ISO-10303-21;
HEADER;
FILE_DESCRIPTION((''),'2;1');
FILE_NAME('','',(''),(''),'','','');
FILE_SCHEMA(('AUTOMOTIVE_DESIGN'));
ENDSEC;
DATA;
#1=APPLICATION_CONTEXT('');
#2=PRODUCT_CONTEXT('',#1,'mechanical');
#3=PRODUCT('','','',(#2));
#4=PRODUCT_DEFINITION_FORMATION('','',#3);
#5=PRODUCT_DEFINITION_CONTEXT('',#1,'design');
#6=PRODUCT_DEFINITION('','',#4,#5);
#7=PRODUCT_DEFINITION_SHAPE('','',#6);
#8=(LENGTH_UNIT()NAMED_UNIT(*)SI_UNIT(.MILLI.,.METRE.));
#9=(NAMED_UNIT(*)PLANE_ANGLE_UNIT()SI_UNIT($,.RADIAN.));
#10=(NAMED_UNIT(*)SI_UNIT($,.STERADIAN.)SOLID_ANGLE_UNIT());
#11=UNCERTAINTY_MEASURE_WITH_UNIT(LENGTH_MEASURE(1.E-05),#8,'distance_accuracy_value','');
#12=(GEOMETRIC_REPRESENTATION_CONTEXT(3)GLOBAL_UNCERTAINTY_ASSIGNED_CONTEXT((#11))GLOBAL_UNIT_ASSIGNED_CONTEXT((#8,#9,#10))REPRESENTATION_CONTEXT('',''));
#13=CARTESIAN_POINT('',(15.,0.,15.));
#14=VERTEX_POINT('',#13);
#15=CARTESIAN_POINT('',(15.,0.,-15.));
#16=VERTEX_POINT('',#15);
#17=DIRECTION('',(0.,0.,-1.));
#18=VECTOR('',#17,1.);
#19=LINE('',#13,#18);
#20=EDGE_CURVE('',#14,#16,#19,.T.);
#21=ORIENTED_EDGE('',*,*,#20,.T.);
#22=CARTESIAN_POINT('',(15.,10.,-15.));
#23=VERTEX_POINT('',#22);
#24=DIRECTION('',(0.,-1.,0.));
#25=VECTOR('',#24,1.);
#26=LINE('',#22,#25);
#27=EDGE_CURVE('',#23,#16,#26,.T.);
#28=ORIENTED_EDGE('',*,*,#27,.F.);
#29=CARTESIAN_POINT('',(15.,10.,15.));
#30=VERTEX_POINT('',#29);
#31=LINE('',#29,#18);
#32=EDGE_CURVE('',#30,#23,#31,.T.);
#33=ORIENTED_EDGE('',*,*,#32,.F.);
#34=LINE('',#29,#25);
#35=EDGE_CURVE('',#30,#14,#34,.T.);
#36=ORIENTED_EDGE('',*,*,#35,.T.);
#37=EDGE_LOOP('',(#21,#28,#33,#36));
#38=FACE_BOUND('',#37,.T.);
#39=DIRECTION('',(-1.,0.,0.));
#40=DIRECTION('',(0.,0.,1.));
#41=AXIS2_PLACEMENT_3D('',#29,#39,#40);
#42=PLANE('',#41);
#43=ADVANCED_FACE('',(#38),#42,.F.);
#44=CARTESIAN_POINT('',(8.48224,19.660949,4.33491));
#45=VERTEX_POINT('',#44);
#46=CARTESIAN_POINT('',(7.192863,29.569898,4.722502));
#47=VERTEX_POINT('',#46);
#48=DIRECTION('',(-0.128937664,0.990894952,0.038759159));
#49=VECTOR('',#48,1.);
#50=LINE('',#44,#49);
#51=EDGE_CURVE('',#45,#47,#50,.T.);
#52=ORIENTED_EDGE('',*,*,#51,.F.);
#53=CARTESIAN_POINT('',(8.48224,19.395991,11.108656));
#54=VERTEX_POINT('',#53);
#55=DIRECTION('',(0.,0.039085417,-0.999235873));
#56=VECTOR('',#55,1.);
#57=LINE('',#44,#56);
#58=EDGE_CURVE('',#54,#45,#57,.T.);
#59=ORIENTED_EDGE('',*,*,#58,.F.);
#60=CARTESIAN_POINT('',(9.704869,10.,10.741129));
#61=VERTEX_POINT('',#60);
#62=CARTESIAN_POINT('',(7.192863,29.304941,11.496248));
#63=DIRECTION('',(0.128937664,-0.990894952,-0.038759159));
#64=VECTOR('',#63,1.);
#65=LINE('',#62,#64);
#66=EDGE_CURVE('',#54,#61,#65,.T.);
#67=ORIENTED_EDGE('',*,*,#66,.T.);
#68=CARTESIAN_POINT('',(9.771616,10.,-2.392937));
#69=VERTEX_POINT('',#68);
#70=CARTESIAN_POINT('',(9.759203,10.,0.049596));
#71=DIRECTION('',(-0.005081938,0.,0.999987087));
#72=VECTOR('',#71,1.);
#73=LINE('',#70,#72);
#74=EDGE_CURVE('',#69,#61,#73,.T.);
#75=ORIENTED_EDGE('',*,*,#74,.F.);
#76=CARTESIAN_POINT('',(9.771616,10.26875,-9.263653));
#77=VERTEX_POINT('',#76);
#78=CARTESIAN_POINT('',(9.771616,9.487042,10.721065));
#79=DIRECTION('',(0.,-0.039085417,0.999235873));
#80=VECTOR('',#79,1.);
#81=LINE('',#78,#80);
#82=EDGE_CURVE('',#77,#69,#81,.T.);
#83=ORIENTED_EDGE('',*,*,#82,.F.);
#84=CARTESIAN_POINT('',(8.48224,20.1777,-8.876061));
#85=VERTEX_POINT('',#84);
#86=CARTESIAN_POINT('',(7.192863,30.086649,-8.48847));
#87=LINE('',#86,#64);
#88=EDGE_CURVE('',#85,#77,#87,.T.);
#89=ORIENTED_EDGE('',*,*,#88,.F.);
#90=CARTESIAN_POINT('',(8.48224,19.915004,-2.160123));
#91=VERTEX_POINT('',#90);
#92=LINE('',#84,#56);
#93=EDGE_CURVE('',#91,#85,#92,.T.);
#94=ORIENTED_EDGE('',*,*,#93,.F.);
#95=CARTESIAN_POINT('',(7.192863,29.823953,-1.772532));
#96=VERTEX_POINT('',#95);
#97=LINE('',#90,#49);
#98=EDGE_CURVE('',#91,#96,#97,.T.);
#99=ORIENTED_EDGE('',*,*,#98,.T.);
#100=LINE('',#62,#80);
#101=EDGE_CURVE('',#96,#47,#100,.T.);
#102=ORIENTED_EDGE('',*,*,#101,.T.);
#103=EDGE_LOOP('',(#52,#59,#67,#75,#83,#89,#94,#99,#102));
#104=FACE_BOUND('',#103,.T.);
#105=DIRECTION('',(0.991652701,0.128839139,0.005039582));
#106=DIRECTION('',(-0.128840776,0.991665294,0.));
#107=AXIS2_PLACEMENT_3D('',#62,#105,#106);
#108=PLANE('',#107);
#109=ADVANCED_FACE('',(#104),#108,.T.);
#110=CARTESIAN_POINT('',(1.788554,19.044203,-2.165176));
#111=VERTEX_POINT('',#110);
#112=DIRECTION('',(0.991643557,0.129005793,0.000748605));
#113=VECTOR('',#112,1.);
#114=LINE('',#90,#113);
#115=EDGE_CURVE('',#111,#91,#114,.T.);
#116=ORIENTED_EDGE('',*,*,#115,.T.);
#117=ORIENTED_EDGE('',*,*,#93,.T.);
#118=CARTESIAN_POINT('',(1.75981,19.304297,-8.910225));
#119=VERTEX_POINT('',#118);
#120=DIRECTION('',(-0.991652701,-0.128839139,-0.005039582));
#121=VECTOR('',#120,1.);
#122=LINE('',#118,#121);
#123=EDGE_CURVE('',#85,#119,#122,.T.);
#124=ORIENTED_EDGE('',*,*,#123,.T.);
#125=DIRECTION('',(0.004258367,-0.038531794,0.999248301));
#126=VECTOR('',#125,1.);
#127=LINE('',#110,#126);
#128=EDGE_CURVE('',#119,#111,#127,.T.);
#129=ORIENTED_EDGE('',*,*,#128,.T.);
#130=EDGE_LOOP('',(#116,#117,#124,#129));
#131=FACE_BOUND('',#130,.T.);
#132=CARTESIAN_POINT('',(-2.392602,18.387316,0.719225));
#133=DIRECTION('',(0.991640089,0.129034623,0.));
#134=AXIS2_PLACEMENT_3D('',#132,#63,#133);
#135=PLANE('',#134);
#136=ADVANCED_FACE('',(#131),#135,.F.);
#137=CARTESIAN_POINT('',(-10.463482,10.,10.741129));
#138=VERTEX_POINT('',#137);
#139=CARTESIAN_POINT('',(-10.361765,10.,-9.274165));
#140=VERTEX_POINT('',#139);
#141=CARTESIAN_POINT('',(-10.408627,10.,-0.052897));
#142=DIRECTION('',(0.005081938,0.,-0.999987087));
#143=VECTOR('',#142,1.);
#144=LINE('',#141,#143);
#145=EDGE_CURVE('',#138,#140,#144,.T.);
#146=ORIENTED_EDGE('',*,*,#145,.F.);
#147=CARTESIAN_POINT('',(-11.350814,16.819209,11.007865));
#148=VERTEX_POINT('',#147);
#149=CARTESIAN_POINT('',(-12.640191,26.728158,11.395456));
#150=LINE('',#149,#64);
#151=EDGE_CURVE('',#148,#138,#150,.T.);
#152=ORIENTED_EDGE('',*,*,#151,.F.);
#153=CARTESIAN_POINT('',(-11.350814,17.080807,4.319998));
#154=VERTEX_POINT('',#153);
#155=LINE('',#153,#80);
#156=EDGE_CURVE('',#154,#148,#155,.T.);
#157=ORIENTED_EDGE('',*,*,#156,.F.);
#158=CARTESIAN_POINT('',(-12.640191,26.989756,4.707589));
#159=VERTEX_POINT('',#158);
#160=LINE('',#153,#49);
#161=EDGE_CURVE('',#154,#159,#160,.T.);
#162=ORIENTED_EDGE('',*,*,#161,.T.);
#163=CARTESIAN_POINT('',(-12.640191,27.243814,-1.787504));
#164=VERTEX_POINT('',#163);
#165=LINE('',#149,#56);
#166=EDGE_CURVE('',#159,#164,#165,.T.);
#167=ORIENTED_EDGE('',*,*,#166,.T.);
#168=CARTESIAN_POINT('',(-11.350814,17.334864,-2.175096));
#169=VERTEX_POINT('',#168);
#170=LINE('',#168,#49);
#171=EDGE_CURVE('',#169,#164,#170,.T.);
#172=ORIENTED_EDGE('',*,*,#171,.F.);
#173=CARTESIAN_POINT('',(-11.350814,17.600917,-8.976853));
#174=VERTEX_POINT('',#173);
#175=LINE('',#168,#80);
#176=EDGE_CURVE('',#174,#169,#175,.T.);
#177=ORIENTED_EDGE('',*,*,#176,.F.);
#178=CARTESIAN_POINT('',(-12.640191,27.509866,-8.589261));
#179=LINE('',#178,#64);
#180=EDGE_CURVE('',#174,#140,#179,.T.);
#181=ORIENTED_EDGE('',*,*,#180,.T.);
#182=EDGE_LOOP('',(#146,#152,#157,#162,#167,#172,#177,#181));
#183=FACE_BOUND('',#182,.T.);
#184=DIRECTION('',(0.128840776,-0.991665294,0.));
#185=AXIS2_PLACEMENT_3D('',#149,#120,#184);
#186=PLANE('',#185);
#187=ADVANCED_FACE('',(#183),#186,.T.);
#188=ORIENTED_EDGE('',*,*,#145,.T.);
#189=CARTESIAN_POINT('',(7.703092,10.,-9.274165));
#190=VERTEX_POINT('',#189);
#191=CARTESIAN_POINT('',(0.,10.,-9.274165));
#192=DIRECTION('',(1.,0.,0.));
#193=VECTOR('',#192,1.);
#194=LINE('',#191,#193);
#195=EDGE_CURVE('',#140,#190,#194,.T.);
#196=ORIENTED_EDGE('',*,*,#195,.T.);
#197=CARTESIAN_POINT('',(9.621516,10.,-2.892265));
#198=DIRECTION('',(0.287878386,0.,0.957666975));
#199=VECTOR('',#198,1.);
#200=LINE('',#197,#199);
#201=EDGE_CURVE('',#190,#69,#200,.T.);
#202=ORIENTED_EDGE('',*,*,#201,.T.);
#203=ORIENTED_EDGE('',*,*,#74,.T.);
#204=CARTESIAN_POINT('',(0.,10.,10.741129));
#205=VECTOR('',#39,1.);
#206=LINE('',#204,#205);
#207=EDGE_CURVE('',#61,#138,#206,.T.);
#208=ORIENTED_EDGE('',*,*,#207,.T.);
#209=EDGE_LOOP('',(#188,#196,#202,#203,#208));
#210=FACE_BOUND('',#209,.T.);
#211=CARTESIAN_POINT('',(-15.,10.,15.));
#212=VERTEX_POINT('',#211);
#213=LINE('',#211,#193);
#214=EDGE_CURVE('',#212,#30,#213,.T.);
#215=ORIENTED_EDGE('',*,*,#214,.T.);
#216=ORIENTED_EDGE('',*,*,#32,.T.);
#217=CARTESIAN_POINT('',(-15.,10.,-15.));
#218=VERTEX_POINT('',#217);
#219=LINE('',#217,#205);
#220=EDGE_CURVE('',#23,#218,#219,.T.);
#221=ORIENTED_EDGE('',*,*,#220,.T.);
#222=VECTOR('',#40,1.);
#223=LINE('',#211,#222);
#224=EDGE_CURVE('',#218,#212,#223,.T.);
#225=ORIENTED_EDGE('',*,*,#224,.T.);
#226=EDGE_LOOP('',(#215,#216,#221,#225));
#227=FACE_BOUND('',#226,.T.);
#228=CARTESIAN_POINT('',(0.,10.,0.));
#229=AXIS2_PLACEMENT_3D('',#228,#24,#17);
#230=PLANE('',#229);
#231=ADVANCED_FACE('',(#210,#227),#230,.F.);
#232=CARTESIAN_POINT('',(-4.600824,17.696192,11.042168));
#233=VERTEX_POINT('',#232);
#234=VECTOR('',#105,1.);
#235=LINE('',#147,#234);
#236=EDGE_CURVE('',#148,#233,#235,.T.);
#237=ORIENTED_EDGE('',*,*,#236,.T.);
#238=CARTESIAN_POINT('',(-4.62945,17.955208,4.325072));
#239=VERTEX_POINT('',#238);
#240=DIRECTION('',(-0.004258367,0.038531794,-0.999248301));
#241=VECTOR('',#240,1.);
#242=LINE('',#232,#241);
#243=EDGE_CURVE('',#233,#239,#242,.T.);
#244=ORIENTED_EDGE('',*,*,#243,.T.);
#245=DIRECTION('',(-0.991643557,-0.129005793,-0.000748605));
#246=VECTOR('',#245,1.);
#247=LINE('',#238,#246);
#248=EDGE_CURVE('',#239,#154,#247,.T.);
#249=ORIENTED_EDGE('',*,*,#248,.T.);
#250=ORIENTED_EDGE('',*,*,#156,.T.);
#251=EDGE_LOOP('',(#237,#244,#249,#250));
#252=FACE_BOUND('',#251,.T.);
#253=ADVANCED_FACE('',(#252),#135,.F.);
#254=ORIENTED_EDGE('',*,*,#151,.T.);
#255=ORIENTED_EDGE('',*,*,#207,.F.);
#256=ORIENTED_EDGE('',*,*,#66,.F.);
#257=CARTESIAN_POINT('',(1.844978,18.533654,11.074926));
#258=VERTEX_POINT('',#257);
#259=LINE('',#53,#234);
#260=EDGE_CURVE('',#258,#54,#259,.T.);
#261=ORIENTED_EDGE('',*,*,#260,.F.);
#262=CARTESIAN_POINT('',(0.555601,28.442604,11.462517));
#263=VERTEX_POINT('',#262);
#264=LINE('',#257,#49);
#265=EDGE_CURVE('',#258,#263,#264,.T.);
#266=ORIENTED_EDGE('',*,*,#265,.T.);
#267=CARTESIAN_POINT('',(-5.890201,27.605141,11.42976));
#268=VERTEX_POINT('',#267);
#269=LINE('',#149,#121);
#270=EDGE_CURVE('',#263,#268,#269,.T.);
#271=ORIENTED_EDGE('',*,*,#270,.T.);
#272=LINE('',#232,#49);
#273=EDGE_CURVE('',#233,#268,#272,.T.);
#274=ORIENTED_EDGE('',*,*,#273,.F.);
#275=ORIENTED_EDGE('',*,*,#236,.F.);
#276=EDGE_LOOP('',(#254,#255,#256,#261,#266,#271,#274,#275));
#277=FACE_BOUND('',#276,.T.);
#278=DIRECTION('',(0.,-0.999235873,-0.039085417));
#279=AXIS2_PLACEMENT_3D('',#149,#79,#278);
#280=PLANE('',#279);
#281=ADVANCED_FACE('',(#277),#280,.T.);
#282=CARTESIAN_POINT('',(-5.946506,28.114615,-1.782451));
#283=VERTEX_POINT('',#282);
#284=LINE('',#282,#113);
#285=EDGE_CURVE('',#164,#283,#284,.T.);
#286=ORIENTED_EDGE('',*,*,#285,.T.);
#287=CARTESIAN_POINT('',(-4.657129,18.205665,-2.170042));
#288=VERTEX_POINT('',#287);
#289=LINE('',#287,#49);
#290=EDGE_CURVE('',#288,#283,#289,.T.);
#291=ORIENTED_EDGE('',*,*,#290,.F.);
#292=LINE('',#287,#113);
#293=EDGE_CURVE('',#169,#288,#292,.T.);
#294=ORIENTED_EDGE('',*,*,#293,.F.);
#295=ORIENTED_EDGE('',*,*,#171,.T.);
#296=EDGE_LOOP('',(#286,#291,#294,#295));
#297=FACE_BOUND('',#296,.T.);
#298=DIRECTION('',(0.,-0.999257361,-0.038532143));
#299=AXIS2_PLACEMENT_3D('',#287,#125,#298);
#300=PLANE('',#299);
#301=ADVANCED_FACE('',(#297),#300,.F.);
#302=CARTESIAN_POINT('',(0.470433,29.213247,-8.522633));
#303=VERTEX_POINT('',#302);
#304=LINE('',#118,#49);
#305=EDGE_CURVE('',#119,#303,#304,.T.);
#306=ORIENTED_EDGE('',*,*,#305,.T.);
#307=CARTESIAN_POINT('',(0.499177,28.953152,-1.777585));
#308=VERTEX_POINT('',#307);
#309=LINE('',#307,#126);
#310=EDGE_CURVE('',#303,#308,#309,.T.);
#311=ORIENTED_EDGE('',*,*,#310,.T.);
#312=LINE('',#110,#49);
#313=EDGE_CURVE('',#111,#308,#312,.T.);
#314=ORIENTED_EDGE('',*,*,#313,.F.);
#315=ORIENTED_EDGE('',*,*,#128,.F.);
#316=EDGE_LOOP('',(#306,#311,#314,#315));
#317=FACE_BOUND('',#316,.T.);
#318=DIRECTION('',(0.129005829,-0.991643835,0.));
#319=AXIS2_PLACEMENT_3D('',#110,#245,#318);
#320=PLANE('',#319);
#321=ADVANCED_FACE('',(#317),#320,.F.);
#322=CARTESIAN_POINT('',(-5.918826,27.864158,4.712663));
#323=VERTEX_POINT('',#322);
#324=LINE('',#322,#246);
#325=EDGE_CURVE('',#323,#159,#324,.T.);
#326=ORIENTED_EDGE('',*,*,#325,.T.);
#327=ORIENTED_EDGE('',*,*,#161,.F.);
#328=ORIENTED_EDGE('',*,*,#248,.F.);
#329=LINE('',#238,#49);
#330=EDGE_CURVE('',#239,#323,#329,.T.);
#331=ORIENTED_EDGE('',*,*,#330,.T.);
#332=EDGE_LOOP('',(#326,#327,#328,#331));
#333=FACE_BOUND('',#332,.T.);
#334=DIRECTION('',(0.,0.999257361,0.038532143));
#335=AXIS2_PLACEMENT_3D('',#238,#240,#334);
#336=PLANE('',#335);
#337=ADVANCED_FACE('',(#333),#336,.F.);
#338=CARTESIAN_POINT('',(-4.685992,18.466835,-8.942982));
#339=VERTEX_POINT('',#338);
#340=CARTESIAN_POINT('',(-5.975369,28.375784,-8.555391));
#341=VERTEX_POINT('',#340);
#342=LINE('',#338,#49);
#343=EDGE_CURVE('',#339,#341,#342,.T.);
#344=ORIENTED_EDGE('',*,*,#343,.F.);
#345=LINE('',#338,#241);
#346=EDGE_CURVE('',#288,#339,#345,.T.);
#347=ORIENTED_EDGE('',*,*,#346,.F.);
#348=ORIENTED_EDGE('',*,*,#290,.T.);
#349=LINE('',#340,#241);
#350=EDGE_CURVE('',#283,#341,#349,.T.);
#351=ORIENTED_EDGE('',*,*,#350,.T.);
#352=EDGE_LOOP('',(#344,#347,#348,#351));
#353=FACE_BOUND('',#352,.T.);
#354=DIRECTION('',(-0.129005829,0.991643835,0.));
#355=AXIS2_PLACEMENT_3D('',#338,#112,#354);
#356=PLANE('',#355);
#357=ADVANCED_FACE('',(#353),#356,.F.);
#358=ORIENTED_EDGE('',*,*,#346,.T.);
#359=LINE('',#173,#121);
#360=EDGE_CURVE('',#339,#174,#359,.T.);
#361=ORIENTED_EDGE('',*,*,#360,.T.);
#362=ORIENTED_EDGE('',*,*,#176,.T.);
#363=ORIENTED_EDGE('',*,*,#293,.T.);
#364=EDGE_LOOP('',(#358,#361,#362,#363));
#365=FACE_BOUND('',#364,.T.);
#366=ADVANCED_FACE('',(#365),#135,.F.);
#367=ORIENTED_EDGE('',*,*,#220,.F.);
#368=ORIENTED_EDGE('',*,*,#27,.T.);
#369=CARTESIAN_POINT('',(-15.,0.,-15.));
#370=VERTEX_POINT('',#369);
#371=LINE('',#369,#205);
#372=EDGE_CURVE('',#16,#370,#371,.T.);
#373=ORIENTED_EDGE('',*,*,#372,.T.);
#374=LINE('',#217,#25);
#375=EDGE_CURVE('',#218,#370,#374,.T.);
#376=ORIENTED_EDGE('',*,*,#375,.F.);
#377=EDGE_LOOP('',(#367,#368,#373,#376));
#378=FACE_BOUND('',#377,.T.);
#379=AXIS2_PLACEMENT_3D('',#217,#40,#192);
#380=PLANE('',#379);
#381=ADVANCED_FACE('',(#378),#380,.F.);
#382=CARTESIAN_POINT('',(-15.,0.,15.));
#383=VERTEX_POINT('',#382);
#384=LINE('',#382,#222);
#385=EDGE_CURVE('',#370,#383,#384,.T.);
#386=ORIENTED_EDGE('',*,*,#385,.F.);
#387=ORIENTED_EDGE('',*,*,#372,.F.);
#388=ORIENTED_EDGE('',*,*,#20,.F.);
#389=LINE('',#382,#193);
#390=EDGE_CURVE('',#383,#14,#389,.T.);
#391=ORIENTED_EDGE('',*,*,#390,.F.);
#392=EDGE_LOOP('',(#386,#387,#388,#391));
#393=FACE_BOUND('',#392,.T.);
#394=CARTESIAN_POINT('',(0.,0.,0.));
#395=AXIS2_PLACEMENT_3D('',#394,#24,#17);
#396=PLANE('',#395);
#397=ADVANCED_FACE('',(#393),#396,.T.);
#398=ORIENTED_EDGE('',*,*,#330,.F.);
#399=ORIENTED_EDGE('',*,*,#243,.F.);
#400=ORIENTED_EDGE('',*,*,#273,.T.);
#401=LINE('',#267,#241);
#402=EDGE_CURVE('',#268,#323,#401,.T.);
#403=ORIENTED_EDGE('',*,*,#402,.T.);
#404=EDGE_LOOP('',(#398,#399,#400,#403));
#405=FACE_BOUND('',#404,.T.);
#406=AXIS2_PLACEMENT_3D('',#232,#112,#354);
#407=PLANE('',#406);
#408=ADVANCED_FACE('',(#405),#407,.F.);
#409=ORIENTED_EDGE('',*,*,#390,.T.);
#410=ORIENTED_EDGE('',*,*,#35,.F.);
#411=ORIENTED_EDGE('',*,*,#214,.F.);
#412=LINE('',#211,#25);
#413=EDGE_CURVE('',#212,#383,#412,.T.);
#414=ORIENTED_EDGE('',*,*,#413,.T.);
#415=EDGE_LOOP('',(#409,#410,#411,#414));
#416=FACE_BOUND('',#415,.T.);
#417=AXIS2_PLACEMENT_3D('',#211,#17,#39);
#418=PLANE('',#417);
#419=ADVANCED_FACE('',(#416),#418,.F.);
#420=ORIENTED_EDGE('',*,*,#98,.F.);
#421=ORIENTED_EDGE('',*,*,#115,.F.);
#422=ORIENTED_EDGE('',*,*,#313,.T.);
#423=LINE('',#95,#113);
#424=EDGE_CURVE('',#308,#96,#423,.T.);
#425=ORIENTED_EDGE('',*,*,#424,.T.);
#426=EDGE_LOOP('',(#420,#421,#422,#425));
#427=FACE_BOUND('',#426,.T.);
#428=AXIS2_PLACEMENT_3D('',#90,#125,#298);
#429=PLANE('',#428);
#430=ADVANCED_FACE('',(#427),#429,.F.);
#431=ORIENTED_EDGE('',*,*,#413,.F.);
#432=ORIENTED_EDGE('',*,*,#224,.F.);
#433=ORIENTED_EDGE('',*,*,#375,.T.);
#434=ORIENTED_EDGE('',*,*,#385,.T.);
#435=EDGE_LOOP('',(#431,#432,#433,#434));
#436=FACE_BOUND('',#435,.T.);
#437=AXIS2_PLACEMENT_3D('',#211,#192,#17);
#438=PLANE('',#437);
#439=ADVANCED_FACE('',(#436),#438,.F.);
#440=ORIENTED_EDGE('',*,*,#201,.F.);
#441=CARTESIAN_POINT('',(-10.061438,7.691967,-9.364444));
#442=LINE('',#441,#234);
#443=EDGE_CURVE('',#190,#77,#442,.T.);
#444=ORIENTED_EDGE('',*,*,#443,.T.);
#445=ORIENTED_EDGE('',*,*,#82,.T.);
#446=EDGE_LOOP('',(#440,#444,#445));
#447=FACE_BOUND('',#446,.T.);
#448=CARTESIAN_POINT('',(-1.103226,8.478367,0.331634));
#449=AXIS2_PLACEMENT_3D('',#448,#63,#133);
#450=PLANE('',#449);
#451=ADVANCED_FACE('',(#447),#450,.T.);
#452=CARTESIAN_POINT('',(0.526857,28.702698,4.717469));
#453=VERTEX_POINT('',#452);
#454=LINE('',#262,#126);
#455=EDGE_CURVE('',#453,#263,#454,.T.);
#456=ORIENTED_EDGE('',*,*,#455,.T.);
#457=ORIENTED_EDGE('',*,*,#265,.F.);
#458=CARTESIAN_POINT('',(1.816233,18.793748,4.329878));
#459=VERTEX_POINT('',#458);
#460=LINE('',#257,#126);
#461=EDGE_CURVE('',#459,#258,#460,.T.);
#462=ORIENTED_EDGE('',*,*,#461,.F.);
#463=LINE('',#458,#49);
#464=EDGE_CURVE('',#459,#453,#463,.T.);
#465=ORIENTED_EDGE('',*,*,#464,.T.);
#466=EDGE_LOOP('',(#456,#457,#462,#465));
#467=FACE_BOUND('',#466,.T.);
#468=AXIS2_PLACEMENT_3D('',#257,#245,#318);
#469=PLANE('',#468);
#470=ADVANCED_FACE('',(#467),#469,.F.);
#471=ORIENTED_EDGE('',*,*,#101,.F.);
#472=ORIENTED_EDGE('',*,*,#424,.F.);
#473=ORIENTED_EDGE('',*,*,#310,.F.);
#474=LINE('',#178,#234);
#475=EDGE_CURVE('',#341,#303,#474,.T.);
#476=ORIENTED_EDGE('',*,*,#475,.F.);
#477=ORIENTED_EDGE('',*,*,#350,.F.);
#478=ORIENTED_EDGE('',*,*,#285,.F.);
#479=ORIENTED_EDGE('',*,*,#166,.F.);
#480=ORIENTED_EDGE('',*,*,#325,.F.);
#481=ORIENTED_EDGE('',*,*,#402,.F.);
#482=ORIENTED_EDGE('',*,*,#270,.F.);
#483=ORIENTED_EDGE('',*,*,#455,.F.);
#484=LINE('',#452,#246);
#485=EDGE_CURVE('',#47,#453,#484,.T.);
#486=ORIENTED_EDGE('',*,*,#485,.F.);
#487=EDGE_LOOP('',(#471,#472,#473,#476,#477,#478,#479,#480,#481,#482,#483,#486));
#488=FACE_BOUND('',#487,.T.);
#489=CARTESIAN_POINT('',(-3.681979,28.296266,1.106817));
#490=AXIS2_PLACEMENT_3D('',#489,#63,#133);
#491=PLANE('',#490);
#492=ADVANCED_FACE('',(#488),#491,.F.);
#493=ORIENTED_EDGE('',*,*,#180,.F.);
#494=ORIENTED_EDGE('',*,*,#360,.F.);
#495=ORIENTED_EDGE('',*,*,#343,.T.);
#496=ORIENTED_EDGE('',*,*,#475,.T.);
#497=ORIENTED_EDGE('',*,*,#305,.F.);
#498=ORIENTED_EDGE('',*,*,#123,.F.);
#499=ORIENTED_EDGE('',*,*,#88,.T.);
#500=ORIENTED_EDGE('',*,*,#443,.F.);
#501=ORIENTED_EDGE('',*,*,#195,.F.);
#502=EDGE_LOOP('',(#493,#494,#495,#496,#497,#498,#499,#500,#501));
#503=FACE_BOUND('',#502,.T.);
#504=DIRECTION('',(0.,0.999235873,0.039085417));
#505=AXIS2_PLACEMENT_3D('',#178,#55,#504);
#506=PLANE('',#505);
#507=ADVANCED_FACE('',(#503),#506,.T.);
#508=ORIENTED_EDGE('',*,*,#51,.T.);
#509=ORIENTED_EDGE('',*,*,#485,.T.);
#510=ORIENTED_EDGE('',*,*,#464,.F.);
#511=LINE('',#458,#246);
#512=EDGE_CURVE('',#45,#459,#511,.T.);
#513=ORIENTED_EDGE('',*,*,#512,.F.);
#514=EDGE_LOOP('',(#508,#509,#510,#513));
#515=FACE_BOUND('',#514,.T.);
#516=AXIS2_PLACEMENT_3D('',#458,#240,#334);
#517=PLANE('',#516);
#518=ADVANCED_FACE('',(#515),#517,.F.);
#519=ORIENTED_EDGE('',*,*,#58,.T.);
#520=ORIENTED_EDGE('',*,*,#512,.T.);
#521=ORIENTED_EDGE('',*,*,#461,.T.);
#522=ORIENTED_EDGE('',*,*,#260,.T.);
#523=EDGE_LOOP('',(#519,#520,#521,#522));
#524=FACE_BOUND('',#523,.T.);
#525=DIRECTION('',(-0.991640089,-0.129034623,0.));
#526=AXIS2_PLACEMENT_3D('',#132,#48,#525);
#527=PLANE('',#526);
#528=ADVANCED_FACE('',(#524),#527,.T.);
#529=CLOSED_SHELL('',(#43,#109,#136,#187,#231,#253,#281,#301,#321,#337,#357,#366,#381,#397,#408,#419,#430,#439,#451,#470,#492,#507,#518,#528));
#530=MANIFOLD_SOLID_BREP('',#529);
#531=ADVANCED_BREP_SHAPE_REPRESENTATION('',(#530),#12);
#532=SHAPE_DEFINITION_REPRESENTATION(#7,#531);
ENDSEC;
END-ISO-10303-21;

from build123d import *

# Parameters (mm, degrees)
SKETCH1_W           = 30
SKETCH1_H           = 30
BOSS_EXTRUDE1_DEPTH = 10
SKETCH2_W           = 20
SKETCH2_H           = 20
BOSS_EXTRUDE2_DEPTH = 20
CUT_EXTRUDE3_DEPTH  = 10


with BuildPart() as part:
    # Sketch1 → Boss-Extrude1 (new body)
    with BuildSketch(Plane(origin=(0, 0, 0), x_dir=(1, 0, 0), z_dir=(0, 1, 0))):
        Rectangle(SKETCH1_W, SKETCH1_H)
    extrude(amount=BOSS_EXTRUDE1_DEPTH)

    # Sketch2 → Boss-Extrude2 (add)
    with BuildSketch(Plane(origin=(-19.996706831, 6.023656636, 0.235617172), x_dir=(-0.9916527006816696, -0.12883913939699687, -0.005039582343056198), z_dir=(0.12893766412786933, -0.9908949522292337, -0.03875915912237427))):
        with Locations((-20.018899737, -0.342067519)):
            Rectangle(SKETCH2_W, SKETCH2_H)
    extrude(amount=-BOSS_EXTRUDE2_DEPTH)

    # Sketch5 → Cut-Extrude3 (cut)
    with BuildSketch(Plane(origin=(-2.292112058, 28.477077557, 1.107866318), x_dir=(0.9916435574745326, 0.12900579254219657, 0.0007486052452988832), z_dir=(-0.12893766412786928, 0.9908949522292337, 0.03875915912237423))):
        Polygon((-3.672779426, -10.332409771), (-3.672779426, -3.610260169), (-10.450784263, -3.610260169), (-10.479525344, -10.303179891), align=None)
        Polygon((2.827220574, -10.360322406), (2.827220574, -3.610200238), (9.549400399, -3.610200238), (9.520290252, -10.389064131), align=None)
        Polygon((-10.393641105, 9.696635705), (-3.672779426, 9.667774634), (-3.672779426, 2.889739831), (-10.422871628, 2.889739831), align=None)
        Polygon((9.606174491, 9.610751466), (9.577312777, 2.889739831), (2.827220574, 2.889739831), (2.827220574, 9.639861999), align=None)
    extrude(amount=-CUT_EXTRUDE3_DEPTH, mode=Mode.SUBTRACT)


solid = part.part
